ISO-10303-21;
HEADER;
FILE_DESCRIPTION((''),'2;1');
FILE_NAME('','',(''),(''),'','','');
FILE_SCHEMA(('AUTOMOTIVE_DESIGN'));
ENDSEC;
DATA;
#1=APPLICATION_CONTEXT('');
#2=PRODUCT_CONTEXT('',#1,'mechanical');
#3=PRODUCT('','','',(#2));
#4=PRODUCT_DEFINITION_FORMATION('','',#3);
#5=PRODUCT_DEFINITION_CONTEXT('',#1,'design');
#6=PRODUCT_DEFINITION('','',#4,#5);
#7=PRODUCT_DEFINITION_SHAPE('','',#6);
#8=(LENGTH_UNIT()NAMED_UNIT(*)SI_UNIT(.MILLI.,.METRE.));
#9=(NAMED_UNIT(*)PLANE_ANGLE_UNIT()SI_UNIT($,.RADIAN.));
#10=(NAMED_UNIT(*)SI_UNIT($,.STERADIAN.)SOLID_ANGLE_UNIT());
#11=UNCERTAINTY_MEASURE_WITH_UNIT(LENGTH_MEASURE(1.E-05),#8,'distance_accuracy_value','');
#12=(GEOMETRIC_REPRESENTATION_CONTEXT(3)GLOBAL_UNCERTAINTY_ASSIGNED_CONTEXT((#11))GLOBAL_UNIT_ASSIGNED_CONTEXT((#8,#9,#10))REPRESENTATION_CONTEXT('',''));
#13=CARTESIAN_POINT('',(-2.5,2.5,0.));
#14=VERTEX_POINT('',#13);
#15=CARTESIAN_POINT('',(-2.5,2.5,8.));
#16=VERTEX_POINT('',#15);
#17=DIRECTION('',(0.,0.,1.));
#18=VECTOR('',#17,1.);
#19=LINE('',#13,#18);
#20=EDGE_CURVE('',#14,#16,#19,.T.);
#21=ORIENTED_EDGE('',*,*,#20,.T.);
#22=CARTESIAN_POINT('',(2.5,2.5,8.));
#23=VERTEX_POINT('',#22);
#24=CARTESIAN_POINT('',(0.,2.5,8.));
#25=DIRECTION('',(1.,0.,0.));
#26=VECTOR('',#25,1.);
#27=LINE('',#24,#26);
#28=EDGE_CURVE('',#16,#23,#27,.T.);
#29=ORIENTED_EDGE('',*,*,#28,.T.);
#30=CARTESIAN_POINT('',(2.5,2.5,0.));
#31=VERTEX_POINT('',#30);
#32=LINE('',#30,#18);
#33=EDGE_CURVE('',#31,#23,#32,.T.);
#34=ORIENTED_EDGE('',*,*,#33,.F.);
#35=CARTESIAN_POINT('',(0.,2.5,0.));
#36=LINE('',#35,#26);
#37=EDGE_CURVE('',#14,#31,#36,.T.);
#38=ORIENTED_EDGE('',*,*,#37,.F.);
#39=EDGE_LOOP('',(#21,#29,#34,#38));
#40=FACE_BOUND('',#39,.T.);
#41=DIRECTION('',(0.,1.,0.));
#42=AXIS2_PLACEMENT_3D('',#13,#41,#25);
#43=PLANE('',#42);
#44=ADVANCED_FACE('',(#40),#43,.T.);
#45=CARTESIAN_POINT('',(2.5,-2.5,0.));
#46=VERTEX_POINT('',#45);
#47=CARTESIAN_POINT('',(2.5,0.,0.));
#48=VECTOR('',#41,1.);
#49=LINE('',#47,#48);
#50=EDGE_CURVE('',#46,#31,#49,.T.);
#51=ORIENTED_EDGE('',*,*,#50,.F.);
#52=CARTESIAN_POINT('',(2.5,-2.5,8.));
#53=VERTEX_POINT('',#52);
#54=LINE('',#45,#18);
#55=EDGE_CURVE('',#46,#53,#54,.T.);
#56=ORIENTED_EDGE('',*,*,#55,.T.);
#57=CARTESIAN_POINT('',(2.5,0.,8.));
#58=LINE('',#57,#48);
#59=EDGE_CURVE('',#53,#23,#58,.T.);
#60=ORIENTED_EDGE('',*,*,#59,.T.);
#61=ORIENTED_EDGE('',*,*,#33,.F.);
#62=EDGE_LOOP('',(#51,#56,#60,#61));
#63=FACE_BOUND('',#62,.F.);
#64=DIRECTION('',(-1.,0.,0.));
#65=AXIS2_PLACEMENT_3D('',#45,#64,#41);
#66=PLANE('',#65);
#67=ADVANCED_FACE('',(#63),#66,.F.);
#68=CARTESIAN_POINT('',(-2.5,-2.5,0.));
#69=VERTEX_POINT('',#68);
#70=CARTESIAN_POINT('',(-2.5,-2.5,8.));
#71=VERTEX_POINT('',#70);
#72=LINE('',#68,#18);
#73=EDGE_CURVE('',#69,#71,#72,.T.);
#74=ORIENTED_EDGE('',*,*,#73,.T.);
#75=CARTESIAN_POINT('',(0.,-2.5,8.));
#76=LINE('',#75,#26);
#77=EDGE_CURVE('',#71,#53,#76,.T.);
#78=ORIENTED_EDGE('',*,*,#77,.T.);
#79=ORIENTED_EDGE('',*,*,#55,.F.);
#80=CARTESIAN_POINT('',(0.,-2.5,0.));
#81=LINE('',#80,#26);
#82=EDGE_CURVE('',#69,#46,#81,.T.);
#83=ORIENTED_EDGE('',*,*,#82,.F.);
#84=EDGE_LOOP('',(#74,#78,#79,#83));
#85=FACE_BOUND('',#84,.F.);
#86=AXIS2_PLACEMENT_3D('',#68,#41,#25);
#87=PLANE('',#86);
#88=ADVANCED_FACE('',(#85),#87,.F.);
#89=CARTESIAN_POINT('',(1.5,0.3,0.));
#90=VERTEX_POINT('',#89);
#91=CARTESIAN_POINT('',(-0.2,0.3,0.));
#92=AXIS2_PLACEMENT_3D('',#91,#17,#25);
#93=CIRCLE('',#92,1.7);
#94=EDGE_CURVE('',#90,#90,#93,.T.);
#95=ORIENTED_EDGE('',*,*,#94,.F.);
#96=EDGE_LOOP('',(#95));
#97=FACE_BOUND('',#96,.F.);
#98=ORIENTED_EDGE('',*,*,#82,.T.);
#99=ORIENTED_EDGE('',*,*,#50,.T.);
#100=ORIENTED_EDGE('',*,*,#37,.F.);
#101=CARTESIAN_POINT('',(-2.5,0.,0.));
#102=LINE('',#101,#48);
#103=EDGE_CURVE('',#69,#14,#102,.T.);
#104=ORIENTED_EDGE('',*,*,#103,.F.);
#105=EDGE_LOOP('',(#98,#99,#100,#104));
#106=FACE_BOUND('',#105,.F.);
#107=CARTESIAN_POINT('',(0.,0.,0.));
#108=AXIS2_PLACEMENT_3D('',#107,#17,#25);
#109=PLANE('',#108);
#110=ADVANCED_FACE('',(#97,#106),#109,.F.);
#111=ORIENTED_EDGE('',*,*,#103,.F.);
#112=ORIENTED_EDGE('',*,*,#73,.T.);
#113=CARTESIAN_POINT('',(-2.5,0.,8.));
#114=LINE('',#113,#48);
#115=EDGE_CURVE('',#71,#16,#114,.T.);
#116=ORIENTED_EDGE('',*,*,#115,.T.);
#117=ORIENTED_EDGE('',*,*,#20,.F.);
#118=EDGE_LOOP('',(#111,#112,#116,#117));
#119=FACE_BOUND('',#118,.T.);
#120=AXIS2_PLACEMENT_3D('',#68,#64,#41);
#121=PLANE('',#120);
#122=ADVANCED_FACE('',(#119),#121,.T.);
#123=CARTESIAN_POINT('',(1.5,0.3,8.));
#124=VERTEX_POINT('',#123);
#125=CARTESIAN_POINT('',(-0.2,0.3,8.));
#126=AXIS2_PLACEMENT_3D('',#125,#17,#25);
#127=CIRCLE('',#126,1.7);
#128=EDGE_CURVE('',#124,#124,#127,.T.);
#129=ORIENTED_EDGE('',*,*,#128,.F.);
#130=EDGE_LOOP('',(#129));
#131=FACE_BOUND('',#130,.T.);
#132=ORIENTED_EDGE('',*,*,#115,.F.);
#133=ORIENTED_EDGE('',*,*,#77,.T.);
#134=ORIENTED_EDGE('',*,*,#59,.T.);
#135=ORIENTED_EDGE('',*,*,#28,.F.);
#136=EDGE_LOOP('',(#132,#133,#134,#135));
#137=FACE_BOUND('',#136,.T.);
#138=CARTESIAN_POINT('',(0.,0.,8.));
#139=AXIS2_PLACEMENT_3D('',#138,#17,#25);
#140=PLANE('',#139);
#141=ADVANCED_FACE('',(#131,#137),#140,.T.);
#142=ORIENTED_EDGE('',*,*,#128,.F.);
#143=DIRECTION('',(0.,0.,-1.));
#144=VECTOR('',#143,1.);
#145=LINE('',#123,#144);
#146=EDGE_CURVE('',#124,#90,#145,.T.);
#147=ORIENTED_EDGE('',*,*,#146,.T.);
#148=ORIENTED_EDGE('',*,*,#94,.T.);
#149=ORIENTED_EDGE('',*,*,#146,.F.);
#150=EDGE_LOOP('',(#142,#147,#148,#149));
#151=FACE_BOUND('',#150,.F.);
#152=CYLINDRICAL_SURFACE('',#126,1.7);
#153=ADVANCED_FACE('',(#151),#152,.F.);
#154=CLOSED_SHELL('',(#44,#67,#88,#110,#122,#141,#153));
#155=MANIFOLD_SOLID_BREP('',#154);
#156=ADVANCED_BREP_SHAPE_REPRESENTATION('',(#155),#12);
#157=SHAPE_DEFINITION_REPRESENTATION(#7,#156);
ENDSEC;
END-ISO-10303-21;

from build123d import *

# Parameters (mm, degrees)
SKETCH_W     = 5
SKETCH_H     = 5
PAD_DEPTH    = 8
SKETCH002_R  = 1.7
POCKET_DEPTH = 9


with BuildPart() as part:
    # Sketch → Pad (new body)
    with BuildSketch(Plane.XY):
        Rectangle(SKETCH_W, SKETCH_H)
    extrude(amount=PAD_DEPTH)

    # Sketch002 (on Face6 of Pad) → Pocket (cut)
    with BuildSketch(Plane.XY.offset(8)):
        with Locations((-0.2, 0.3)):
            Circle(SKETCH002_R)
    extrude(amount=-POCKET_DEPTH, mode=Mode.SUBTRACT)


solid = part.part
